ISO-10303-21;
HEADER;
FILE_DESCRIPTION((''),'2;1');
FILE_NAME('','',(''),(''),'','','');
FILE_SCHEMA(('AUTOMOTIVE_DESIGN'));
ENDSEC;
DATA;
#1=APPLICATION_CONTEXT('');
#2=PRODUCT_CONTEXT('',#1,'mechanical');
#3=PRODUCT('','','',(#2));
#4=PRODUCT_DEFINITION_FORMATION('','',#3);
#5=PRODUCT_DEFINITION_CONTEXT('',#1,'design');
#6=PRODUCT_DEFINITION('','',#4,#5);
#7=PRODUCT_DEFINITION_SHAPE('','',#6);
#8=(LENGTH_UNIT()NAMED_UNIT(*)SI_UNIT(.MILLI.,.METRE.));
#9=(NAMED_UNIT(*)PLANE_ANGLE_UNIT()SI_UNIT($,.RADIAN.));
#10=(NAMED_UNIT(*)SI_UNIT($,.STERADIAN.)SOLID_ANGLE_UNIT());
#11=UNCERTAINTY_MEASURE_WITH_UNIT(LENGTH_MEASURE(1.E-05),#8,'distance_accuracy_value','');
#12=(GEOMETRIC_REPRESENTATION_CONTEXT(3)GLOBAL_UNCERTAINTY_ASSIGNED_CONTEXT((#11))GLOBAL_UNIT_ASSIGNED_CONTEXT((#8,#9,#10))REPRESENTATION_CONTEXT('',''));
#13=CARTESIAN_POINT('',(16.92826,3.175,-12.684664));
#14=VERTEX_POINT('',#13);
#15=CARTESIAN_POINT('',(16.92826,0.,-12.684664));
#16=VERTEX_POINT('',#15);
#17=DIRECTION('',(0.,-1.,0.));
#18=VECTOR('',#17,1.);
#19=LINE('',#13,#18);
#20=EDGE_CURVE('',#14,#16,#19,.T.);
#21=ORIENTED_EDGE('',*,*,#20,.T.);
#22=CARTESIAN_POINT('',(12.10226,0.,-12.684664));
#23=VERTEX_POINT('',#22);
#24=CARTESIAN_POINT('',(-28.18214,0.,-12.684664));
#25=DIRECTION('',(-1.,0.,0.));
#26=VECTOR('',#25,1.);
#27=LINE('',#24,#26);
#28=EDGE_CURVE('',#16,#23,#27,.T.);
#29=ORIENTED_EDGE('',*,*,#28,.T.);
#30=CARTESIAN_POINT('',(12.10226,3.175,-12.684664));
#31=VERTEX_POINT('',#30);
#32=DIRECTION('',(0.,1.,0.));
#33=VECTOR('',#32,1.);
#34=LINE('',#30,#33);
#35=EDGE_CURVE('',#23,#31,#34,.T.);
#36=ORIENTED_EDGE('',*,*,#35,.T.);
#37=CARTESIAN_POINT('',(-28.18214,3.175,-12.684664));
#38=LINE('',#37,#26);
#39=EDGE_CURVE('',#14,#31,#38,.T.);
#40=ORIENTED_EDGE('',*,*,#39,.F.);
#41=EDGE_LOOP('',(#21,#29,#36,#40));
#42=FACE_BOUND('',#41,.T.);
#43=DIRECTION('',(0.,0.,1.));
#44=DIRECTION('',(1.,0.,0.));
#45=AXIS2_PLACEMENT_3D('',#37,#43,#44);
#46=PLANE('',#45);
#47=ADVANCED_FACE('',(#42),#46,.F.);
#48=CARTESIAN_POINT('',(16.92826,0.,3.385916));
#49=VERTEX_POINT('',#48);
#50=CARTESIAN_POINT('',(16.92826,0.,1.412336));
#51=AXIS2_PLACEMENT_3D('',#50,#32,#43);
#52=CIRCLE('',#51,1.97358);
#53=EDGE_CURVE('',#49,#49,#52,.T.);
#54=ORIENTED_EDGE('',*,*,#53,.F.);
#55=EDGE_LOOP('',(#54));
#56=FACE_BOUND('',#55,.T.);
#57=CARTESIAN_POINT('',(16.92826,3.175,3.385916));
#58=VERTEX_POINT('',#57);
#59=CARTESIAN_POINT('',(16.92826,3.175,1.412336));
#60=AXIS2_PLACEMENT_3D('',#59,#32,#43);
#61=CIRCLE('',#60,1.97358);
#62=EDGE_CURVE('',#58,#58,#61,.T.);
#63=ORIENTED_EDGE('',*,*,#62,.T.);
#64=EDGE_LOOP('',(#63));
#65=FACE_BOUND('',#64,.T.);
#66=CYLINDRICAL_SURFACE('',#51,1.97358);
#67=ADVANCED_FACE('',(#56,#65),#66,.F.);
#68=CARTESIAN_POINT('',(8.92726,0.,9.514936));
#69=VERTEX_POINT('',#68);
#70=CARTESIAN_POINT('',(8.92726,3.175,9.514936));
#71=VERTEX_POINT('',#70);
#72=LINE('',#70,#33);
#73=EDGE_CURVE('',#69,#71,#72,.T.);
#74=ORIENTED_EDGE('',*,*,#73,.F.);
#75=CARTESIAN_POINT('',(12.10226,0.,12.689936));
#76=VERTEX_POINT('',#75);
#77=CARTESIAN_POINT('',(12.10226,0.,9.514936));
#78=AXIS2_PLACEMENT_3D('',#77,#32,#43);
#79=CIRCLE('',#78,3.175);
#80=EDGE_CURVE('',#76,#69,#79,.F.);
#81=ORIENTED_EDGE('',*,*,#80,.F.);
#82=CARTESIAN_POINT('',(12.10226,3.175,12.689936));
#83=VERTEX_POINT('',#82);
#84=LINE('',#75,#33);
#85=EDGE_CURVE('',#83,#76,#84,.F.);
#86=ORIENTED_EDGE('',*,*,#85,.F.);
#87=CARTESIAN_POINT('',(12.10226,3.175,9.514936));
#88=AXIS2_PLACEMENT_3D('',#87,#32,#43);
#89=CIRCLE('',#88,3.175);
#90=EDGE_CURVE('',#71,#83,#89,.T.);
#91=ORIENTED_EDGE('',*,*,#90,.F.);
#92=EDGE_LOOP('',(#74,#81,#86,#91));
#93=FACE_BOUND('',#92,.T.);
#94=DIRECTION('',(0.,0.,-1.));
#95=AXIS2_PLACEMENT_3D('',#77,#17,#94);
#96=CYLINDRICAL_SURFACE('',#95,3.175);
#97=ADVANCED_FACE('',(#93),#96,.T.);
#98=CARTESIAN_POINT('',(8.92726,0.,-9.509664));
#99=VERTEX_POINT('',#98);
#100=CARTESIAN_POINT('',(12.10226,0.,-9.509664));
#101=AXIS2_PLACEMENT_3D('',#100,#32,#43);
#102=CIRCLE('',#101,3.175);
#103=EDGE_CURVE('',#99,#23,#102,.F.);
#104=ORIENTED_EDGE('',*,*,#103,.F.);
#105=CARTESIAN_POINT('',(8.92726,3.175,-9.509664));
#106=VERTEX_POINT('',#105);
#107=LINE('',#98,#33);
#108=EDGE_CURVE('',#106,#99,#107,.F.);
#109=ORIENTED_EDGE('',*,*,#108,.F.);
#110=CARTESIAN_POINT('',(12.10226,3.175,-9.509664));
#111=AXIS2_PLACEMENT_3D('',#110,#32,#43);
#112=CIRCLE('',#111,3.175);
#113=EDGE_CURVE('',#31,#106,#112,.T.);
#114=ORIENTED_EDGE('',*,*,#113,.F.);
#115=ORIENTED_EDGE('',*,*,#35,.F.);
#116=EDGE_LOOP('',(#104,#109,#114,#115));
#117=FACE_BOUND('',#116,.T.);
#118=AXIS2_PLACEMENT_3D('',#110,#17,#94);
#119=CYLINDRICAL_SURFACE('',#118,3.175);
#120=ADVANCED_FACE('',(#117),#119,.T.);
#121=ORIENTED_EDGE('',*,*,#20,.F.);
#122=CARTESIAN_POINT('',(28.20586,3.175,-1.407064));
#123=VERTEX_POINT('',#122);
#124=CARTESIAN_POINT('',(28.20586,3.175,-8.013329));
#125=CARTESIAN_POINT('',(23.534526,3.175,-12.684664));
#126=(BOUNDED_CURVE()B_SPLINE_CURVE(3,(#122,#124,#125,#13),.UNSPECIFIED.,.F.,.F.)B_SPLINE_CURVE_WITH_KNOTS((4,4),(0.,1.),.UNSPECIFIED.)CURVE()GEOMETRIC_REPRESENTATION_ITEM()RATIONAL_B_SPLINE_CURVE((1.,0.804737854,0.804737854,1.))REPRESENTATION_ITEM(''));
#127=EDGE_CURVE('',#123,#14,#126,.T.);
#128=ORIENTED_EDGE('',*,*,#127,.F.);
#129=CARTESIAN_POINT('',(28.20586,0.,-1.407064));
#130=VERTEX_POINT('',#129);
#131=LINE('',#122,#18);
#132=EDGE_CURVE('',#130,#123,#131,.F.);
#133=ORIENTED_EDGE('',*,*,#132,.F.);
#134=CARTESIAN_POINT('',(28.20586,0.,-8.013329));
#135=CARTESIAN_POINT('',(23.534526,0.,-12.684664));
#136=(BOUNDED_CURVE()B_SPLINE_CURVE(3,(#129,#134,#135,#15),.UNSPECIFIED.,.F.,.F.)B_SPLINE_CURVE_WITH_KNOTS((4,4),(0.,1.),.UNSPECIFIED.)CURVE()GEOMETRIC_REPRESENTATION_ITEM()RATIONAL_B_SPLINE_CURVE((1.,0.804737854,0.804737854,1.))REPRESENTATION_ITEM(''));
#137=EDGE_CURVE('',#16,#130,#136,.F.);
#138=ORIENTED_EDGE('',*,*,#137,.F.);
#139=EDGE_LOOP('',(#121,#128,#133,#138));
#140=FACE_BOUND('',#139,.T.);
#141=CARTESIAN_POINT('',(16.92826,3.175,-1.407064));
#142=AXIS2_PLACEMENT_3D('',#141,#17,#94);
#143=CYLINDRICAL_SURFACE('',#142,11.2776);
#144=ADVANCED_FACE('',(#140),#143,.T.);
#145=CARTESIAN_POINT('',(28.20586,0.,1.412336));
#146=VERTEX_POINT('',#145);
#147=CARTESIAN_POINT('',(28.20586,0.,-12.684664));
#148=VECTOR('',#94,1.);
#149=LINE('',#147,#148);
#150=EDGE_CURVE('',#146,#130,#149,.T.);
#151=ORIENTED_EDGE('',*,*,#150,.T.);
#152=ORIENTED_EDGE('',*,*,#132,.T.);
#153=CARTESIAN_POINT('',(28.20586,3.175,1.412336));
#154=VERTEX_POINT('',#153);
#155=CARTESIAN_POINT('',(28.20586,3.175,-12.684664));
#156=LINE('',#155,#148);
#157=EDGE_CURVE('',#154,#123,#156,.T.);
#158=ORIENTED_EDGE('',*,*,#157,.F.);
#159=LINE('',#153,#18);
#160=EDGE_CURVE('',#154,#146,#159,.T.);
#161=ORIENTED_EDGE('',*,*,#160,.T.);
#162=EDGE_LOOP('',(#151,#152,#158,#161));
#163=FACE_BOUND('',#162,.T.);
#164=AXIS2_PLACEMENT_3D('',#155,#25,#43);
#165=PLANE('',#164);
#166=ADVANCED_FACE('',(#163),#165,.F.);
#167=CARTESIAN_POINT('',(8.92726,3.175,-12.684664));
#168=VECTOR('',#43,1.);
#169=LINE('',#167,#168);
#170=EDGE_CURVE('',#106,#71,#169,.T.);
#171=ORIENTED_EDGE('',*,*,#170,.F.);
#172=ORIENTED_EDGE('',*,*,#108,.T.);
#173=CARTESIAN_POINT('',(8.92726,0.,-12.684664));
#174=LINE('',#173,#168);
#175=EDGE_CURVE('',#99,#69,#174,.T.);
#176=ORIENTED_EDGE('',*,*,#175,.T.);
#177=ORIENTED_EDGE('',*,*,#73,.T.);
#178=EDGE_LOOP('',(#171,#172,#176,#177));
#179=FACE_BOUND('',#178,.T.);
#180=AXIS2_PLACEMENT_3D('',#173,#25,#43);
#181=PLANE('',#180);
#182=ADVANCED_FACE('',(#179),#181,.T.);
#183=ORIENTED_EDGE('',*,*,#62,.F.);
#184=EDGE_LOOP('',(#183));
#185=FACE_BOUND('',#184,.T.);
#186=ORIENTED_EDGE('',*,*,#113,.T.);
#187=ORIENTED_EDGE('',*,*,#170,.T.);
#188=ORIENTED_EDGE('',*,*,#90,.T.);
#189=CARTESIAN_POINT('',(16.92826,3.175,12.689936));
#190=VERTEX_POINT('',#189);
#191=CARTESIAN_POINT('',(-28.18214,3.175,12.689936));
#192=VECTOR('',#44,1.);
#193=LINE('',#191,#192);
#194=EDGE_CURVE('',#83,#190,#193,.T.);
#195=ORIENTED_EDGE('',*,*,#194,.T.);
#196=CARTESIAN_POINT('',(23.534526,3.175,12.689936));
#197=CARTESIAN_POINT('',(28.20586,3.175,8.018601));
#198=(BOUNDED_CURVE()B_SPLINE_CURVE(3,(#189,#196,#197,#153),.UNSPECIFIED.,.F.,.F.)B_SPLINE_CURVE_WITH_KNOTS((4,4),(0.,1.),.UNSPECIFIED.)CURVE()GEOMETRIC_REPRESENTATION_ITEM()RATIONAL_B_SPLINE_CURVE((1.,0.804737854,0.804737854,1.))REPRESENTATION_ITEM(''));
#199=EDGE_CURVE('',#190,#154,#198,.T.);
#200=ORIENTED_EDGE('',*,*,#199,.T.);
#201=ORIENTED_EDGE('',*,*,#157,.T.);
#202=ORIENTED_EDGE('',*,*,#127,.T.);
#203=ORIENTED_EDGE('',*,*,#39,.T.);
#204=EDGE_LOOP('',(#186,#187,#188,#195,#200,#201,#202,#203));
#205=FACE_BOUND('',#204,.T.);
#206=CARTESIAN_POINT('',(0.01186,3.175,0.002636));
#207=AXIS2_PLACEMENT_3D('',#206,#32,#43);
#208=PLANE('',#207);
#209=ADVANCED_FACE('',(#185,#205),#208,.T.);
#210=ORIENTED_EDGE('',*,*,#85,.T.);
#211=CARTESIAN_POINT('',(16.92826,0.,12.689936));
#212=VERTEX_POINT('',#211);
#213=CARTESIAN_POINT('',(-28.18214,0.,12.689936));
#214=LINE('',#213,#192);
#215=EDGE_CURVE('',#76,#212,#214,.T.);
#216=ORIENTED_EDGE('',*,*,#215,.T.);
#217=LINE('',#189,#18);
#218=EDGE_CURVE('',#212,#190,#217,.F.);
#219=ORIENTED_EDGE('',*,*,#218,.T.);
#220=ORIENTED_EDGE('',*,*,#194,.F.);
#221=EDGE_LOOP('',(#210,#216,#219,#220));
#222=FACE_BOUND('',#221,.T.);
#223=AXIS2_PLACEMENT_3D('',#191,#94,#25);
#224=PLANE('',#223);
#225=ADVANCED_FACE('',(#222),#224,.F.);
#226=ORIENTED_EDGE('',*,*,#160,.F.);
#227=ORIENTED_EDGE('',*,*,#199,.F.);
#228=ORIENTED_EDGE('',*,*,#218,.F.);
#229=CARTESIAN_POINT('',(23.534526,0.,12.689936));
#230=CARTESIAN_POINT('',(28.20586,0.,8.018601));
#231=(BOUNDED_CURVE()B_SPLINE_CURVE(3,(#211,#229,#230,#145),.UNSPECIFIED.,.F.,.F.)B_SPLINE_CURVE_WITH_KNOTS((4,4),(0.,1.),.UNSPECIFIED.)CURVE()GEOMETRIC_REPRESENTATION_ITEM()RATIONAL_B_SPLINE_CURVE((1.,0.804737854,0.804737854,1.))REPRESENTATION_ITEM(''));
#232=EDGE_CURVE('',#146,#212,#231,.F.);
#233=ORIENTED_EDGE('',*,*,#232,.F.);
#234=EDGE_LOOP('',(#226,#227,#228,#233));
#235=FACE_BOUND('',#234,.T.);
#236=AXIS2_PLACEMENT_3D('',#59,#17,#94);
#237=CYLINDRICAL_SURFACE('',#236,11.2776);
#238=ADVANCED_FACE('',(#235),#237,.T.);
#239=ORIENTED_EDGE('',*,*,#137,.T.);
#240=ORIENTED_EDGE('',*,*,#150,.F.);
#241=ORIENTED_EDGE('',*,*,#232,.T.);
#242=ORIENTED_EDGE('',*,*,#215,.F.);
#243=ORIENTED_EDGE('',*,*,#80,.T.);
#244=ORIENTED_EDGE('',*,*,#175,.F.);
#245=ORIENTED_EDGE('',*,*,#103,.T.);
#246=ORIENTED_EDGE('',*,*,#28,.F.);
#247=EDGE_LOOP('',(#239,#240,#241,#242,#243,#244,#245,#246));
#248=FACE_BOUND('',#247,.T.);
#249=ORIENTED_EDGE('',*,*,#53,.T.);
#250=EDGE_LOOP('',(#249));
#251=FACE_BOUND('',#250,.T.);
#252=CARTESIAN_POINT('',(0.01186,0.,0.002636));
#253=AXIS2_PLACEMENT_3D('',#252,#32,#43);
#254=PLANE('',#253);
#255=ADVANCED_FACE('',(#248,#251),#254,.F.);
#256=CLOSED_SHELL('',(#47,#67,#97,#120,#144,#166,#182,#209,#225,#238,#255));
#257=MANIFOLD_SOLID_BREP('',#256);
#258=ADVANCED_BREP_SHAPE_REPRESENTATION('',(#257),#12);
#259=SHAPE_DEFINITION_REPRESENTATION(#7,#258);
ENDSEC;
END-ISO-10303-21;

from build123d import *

# Parameters (mm, degrees)
SKETCH1_W           = 50.8
SKETCH1_H           = 22.86
BOSS_EXTRUDE1_DEPTH = 3.175
FILLET1_R           = 10.16
SKETCH3_R           = 1.778
CUT_EXTRUDE1_DEPTH  = 29.033649869
FILLET3_R           = 10.16
SCALE1_SCALE_X      = 1.11
SCALE1_SCALE_Y      = 1
SCALE1_SCALE_Z      = 1.11
SKETCH4_W           = 37.109400012
SKETCH4_H           = 25.3746
CUT_EXTRUDE2_DEPTH  = 32.091568995
FILLET4_R           = 3.175


with BuildPart() as part:
    # Sketch1 → Boss-Extrude1 (new body)
    with BuildSketch(Plane(origin=(0, 0, 0), x_dir=(1, 0, 0), z_dir=(0, 1, 0))):
        Rectangle(SKETCH1_W, SKETCH1_H)
    extrude(amount=BOSS_EXTRUDE1_DEPTH)

    # Fillet1
    fillet1_edges = [part.edges().sort_by_distance(p)[0] for p in [
        (25.4, 1.5875, 11.43),
        (-25.4, 1.5875, 11.43),
    ]]
    fillet(fillet1_edges, radius=FILLET1_R)

    # Sketch3 → Cut-Extrude1 (cut, through all)
    with BuildSketch(Plane(origin=(0, 3.175, 0), x_dir=(1, 0, 0), z_dir=(0, 1, 0))):
        with Locations(Location((15.24, -1.27, 0), (0, 0, 270))):
            Circle(SKETCH3_R)
        with Locations(Location((-3.81, -1.27, 0), (0, 0, 270))):
            Circle(SKETCH3_R)
    extrude(amount=-CUT_EXTRUDE1_DEPTH, mode=Mode.SUBTRACT)

    # Fillet3
    fillet3_edges = [part.edges().sort_by_distance(p)[0] for p in [
        (-25.4, 1.5875, -11.43),
        (25.4, 1.5875, -11.43),
    ]]
    fillet(fillet3_edges, radius=FILLET3_R)


with BuildPart() as part_1:
    # Scale1: scaled about (-0.107821996, 1.5875, -0.023960443)
    add(part.part.scale((SCALE1_SCALE_X, SCALE1_SCALE_Y, SCALE1_SCALE_Z), about=(-0.107821996, 1.5875, -0.023960443)))

    # Sketch4 → Cut-Extrude2 (cut, through all)
    with BuildSketch(Plane(origin=(0, 3.175, 0), x_dir=(1, 0, 0), z_dir=(0, 1, 0))):
        with Locations((-9.627439574, -0.002635649)):
            Rectangle(SKETCH4_W, SKETCH4_H)
    extrude(amount=-CUT_EXTRUDE2_DEPTH, mode=Mode.SUBTRACT)

    # Fillet4
    fillet4_edges = [part_1.edges().sort_by_distance(p)[0] for p in [
        (8.927260432, 1.5875, 12.689935649),
        (8.927260432, 1.5875, -12.684664351),
    ]]
    fillet(fillet4_edges, radius=FILLET4_R)


solid = part_1.part
